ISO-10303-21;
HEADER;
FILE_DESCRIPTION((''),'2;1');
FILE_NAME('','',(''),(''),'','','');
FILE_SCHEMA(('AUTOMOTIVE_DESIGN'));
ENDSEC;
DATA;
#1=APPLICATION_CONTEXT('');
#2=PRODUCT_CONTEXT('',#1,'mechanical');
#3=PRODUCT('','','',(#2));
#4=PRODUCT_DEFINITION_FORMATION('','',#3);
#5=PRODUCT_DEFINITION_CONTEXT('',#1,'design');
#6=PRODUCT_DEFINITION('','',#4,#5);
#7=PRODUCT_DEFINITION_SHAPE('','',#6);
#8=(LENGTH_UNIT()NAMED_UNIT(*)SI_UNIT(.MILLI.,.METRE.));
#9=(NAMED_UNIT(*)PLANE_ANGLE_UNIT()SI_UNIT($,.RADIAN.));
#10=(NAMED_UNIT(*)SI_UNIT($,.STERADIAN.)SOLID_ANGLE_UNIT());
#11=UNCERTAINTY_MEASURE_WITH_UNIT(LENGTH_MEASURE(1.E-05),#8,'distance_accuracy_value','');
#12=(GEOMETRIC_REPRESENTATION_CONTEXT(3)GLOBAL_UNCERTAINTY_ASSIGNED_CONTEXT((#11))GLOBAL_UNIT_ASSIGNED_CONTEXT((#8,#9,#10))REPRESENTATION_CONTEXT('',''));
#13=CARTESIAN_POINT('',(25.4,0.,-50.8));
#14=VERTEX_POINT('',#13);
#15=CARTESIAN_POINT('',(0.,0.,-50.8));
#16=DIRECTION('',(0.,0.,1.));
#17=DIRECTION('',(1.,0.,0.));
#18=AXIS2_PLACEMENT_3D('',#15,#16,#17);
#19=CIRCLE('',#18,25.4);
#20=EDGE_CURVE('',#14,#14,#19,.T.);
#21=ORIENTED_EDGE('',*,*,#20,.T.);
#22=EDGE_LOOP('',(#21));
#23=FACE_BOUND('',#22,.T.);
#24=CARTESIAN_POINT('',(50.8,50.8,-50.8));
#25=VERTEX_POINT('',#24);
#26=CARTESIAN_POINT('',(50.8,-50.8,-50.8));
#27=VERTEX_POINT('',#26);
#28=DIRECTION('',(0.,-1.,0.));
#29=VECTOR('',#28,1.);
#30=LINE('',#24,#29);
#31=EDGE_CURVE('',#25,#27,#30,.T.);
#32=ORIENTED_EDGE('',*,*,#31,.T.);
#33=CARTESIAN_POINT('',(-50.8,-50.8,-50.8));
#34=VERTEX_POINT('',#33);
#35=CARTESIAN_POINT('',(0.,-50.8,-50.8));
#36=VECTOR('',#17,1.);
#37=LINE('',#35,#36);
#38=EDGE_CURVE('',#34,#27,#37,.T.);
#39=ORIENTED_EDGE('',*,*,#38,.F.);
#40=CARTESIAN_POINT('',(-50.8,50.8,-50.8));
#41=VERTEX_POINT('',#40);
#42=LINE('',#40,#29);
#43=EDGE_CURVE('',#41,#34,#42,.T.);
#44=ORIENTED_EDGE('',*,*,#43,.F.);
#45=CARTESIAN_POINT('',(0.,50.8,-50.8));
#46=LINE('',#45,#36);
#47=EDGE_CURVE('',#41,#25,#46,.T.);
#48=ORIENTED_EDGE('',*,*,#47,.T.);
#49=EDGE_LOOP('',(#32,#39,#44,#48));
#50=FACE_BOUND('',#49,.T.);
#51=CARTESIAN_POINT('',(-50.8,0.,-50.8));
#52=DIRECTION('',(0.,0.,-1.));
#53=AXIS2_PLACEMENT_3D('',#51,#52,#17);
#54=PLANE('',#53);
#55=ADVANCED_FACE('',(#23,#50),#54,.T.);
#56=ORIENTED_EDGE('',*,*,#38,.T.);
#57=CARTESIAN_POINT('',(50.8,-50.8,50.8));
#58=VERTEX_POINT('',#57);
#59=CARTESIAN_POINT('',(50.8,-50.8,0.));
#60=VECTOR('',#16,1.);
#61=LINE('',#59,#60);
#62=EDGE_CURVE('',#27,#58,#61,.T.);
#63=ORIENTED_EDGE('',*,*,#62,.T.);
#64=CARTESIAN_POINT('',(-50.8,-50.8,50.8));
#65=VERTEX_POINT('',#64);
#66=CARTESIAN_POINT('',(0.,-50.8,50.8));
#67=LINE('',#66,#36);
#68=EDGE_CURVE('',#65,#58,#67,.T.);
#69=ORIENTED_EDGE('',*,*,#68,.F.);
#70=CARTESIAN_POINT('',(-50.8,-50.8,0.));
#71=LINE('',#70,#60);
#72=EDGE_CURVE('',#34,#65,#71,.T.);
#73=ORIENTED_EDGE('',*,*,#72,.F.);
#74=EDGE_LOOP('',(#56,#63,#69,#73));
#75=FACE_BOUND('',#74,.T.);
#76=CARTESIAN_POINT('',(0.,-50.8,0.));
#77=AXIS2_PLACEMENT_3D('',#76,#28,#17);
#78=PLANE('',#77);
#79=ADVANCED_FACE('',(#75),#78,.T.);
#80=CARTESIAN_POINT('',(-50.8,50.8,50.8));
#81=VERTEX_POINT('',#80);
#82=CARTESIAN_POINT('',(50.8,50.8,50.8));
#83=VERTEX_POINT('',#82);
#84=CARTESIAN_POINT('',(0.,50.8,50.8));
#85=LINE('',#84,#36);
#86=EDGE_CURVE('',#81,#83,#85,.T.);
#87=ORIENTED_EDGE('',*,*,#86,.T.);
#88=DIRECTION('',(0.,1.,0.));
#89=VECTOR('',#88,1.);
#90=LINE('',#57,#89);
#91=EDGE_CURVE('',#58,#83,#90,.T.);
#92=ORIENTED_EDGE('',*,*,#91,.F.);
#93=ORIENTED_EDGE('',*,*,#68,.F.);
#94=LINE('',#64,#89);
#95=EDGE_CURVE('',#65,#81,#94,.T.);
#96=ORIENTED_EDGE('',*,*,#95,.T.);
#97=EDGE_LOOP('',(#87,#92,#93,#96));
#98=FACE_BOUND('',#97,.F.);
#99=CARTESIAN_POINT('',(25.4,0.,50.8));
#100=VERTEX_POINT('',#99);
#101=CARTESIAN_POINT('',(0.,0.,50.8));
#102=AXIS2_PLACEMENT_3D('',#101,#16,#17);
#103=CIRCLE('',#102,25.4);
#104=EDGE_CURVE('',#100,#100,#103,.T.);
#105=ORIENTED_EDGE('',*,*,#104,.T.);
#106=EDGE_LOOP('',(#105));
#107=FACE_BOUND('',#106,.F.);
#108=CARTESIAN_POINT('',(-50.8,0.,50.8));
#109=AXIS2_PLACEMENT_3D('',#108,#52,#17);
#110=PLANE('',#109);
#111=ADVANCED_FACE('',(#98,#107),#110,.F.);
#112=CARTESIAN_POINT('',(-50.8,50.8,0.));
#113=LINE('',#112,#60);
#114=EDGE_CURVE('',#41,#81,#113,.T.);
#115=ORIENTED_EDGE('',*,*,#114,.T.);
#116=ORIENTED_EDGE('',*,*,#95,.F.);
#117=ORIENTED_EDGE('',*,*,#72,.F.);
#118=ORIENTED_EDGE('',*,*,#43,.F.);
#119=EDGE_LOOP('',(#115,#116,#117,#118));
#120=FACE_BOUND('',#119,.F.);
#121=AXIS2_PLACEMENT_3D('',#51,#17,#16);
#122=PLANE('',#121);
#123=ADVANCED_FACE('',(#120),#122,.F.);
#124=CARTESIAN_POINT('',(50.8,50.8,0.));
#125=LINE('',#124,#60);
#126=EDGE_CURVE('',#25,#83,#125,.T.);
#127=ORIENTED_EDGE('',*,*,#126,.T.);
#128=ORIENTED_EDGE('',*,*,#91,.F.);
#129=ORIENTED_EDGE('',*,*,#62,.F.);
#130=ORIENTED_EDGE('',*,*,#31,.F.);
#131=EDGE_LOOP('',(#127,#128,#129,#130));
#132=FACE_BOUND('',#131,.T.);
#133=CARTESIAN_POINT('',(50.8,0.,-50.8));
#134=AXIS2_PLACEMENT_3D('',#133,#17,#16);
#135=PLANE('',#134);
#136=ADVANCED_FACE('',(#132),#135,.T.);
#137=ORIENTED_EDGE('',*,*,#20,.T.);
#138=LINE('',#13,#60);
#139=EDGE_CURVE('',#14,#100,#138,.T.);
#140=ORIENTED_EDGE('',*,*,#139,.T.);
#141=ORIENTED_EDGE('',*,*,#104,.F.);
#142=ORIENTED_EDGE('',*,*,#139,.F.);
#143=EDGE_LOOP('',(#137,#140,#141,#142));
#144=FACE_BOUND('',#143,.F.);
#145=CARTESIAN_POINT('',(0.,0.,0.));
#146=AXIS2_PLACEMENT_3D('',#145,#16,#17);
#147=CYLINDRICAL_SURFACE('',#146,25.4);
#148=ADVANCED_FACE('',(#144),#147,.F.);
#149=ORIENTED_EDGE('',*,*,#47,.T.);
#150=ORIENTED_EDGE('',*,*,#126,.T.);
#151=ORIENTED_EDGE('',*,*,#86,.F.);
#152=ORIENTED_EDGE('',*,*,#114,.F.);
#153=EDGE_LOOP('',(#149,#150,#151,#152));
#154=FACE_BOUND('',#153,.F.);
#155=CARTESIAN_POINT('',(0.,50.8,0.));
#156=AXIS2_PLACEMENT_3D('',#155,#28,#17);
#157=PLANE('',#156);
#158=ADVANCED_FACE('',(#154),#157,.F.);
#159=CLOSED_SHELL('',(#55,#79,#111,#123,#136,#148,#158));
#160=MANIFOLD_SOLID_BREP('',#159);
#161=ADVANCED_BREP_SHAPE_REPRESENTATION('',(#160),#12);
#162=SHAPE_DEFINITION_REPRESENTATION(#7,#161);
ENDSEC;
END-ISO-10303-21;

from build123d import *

# Parameters (mm, degrees)
F0_W     = 101.6
F0_H     = 101.6
F1_DEPTH = 50.8
F2_R     = 25.4
F3_DEPTH = 50.8


with BuildPart() as f1:
    # F0 (on Front) → F1 (new body, symmetric)
    with BuildSketch(Plane.XZ):
        Rectangle(F0_W, F0_H)
    extrude(amount=F1_DEPTH, both=True)

    # F2 (on Top) → F3 (cut, symmetric)
    with BuildSketch(Plane.XY):
        Circle(F2_R)
    extrude(amount=F3_DEPTH, both=True, mode=Mode.SUBTRACT)


solid = f1.part
